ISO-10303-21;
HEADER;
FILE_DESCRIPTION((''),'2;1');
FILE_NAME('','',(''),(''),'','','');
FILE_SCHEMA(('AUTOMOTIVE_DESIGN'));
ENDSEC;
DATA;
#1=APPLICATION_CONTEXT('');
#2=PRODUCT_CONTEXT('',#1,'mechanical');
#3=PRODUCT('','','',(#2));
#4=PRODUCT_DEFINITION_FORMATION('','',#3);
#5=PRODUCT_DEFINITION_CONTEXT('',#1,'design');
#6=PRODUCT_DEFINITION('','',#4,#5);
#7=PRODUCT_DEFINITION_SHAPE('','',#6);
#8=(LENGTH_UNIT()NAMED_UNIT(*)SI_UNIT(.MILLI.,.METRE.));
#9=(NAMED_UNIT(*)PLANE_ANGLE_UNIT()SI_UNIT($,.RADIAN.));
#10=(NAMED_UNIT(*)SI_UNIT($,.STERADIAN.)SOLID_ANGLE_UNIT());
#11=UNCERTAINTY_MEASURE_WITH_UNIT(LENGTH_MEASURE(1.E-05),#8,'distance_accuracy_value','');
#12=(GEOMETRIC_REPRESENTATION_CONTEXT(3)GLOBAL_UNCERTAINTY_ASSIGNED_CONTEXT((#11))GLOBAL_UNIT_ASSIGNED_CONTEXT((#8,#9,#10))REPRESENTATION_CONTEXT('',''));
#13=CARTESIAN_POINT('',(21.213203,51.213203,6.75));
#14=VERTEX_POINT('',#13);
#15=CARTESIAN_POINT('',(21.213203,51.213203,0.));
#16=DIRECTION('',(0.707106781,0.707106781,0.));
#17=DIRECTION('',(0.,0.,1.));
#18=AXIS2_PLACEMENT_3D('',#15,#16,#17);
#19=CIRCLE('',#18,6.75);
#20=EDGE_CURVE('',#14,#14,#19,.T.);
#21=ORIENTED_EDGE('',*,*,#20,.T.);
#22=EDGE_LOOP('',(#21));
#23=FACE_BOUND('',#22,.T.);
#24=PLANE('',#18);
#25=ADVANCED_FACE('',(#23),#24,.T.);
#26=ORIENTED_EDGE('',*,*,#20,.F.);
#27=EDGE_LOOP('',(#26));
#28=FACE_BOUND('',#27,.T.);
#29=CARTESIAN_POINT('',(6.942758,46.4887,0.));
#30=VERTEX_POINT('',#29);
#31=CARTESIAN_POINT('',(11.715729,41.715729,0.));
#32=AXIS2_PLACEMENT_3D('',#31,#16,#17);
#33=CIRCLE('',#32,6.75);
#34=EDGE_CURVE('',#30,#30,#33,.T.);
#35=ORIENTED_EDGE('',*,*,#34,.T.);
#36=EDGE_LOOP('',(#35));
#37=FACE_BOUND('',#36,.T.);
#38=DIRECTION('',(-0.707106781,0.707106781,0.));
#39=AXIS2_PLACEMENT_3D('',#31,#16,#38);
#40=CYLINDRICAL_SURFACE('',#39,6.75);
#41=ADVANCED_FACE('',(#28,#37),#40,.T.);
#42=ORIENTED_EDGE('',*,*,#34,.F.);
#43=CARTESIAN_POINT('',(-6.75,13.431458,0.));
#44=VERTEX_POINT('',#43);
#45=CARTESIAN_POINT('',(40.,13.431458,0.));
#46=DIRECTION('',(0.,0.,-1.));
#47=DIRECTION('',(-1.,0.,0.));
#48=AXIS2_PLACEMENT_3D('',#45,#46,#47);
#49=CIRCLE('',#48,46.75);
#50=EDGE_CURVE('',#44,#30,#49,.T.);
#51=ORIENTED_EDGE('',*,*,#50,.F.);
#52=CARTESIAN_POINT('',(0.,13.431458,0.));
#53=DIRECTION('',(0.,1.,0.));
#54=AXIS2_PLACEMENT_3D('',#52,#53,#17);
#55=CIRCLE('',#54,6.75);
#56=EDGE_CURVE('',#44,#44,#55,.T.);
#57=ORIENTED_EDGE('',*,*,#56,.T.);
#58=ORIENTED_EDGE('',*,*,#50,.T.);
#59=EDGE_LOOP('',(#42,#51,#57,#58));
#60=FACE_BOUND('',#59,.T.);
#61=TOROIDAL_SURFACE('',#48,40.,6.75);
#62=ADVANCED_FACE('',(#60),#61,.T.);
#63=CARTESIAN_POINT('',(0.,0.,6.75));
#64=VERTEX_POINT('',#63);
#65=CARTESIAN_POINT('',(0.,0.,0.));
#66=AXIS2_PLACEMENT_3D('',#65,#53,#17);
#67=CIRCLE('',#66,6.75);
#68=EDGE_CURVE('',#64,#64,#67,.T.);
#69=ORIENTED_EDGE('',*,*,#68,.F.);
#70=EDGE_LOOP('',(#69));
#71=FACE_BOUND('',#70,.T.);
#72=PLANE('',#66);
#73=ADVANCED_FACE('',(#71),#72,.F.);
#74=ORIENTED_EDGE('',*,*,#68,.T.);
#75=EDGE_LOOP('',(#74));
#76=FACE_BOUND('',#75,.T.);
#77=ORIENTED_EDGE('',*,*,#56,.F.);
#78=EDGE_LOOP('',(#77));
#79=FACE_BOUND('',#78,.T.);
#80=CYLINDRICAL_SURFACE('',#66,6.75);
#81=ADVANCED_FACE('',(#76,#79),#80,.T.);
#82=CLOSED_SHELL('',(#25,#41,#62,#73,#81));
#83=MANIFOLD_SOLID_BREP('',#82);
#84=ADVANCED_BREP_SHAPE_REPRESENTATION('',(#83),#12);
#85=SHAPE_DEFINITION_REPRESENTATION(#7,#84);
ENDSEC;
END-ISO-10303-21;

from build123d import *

# Parameters (mm, degrees)
SKETCH2_R = 6.75


with BuildPart() as part:
    # Sweep1: sweep along a path in Sketch1
    with BuildLine(Plane.XY) as sweep1_path:
        Line((0, 0), (0, 13.431457505))
        ThreePointArc((0, 13.431457505), (3.0448187, 28.7387948), (11.715728753, 41.715728753))
        Line((11.715728753, 41.715728753), (21.213203436, 51.213203436))
    # Sketch2 → Sweep1 (sweep)
    with BuildSketch(Plane(origin=(0, 0, 0), x_dir=(1, 0, 0), z_dir=(0, 1, 0))):
        Circle(SKETCH2_R)
    sweep(path=sweep1_path.line)


solid = part.part
